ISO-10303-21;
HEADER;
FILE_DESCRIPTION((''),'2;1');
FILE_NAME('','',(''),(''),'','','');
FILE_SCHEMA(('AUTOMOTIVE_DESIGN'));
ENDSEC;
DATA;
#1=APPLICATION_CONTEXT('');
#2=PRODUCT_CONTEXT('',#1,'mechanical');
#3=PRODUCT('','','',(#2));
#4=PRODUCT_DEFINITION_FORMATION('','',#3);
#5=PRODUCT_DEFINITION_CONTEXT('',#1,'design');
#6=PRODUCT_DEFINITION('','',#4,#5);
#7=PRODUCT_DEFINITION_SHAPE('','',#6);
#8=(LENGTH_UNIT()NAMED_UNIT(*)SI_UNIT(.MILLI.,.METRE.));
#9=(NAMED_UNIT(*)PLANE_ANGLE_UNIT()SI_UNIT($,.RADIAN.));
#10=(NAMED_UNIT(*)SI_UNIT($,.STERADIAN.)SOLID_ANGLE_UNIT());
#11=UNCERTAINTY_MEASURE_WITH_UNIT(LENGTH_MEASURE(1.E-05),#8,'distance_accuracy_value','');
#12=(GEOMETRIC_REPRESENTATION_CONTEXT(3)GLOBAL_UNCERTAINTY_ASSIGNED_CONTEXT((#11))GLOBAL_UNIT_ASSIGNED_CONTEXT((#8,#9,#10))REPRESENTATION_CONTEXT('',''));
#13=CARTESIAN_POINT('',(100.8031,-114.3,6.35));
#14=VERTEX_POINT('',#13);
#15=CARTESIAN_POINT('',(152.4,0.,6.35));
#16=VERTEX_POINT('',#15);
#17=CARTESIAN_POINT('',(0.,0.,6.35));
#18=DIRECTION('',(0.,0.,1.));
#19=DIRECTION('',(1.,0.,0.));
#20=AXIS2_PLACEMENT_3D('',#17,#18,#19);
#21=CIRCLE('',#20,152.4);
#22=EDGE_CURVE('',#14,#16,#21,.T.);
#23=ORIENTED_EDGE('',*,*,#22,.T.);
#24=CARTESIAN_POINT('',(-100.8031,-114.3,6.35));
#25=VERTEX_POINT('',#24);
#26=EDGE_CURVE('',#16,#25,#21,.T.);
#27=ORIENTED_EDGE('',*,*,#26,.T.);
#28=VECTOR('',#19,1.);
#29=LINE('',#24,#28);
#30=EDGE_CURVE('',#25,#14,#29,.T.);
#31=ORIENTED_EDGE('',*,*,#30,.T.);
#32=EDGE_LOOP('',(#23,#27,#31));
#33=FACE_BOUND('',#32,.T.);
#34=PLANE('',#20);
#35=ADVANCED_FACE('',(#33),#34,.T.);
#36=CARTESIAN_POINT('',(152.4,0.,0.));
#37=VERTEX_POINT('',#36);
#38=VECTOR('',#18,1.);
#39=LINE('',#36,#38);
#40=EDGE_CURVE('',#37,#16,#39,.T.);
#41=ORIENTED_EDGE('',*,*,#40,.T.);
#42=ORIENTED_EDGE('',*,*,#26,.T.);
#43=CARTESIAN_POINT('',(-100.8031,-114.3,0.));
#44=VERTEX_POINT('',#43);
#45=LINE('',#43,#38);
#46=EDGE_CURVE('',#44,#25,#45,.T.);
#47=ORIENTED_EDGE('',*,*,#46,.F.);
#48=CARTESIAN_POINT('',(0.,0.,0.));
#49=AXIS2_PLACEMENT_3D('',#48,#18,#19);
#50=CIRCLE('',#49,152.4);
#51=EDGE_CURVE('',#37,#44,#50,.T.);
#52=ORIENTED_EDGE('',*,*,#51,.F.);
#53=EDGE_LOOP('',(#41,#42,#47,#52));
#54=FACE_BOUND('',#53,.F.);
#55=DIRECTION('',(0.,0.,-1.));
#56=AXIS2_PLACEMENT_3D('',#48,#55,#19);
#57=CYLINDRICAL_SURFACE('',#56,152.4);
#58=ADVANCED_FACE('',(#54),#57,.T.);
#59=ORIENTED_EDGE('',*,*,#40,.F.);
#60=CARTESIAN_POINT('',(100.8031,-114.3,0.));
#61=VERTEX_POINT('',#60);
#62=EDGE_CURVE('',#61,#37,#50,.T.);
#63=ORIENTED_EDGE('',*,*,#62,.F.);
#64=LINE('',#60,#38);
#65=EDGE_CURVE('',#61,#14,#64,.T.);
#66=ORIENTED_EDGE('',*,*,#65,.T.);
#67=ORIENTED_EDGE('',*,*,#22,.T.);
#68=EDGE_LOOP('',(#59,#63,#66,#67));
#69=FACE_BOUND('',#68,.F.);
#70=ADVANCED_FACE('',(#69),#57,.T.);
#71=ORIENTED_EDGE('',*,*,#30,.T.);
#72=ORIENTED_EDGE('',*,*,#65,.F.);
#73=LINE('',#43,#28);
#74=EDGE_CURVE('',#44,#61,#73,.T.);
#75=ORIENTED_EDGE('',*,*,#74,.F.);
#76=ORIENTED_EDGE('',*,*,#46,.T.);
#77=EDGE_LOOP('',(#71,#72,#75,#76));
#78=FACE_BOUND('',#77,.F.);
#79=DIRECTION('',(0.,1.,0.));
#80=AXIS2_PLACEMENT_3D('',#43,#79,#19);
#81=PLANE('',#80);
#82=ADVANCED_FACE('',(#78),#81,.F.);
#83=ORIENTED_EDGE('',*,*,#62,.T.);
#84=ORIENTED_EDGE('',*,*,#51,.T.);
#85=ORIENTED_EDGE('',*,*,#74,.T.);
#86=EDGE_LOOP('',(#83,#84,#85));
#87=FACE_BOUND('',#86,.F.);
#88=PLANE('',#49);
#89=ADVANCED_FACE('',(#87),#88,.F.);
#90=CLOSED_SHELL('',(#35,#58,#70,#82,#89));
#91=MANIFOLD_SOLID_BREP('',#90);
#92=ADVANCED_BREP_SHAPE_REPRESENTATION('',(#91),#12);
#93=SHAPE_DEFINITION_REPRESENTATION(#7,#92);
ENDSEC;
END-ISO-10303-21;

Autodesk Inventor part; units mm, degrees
ref_plane "YZ Plane" through (0, 0, 0) normal (1, 0, 0) x (0, 1, 0)
ref_plane "XZ Plane" through (0, 0, 0) normal (0, 1, 0) x (-1, 0, 0)
ref_plane "XY Plane" through (0, 0, 0) normal (0, 0, 1) x (1, 0, 0)
sketch "Sketch1" plane through (0, 0, 0) normal (0, 0, 1) x (1, 0, 0)
  circle A0 centre (0, 0) radius 152.4
  line L0 (-100.8031, -114.3) -> (100.8031, -114.3)
  dimension "d0" = 114.3
  dimension "d1" = 304.8
extrude "Extrusion1" add sketch "Sketch1" along normal blind 6.35 contours A0 L0 picked at (-1.2732, -25.416)
properties part number "motorplate"
